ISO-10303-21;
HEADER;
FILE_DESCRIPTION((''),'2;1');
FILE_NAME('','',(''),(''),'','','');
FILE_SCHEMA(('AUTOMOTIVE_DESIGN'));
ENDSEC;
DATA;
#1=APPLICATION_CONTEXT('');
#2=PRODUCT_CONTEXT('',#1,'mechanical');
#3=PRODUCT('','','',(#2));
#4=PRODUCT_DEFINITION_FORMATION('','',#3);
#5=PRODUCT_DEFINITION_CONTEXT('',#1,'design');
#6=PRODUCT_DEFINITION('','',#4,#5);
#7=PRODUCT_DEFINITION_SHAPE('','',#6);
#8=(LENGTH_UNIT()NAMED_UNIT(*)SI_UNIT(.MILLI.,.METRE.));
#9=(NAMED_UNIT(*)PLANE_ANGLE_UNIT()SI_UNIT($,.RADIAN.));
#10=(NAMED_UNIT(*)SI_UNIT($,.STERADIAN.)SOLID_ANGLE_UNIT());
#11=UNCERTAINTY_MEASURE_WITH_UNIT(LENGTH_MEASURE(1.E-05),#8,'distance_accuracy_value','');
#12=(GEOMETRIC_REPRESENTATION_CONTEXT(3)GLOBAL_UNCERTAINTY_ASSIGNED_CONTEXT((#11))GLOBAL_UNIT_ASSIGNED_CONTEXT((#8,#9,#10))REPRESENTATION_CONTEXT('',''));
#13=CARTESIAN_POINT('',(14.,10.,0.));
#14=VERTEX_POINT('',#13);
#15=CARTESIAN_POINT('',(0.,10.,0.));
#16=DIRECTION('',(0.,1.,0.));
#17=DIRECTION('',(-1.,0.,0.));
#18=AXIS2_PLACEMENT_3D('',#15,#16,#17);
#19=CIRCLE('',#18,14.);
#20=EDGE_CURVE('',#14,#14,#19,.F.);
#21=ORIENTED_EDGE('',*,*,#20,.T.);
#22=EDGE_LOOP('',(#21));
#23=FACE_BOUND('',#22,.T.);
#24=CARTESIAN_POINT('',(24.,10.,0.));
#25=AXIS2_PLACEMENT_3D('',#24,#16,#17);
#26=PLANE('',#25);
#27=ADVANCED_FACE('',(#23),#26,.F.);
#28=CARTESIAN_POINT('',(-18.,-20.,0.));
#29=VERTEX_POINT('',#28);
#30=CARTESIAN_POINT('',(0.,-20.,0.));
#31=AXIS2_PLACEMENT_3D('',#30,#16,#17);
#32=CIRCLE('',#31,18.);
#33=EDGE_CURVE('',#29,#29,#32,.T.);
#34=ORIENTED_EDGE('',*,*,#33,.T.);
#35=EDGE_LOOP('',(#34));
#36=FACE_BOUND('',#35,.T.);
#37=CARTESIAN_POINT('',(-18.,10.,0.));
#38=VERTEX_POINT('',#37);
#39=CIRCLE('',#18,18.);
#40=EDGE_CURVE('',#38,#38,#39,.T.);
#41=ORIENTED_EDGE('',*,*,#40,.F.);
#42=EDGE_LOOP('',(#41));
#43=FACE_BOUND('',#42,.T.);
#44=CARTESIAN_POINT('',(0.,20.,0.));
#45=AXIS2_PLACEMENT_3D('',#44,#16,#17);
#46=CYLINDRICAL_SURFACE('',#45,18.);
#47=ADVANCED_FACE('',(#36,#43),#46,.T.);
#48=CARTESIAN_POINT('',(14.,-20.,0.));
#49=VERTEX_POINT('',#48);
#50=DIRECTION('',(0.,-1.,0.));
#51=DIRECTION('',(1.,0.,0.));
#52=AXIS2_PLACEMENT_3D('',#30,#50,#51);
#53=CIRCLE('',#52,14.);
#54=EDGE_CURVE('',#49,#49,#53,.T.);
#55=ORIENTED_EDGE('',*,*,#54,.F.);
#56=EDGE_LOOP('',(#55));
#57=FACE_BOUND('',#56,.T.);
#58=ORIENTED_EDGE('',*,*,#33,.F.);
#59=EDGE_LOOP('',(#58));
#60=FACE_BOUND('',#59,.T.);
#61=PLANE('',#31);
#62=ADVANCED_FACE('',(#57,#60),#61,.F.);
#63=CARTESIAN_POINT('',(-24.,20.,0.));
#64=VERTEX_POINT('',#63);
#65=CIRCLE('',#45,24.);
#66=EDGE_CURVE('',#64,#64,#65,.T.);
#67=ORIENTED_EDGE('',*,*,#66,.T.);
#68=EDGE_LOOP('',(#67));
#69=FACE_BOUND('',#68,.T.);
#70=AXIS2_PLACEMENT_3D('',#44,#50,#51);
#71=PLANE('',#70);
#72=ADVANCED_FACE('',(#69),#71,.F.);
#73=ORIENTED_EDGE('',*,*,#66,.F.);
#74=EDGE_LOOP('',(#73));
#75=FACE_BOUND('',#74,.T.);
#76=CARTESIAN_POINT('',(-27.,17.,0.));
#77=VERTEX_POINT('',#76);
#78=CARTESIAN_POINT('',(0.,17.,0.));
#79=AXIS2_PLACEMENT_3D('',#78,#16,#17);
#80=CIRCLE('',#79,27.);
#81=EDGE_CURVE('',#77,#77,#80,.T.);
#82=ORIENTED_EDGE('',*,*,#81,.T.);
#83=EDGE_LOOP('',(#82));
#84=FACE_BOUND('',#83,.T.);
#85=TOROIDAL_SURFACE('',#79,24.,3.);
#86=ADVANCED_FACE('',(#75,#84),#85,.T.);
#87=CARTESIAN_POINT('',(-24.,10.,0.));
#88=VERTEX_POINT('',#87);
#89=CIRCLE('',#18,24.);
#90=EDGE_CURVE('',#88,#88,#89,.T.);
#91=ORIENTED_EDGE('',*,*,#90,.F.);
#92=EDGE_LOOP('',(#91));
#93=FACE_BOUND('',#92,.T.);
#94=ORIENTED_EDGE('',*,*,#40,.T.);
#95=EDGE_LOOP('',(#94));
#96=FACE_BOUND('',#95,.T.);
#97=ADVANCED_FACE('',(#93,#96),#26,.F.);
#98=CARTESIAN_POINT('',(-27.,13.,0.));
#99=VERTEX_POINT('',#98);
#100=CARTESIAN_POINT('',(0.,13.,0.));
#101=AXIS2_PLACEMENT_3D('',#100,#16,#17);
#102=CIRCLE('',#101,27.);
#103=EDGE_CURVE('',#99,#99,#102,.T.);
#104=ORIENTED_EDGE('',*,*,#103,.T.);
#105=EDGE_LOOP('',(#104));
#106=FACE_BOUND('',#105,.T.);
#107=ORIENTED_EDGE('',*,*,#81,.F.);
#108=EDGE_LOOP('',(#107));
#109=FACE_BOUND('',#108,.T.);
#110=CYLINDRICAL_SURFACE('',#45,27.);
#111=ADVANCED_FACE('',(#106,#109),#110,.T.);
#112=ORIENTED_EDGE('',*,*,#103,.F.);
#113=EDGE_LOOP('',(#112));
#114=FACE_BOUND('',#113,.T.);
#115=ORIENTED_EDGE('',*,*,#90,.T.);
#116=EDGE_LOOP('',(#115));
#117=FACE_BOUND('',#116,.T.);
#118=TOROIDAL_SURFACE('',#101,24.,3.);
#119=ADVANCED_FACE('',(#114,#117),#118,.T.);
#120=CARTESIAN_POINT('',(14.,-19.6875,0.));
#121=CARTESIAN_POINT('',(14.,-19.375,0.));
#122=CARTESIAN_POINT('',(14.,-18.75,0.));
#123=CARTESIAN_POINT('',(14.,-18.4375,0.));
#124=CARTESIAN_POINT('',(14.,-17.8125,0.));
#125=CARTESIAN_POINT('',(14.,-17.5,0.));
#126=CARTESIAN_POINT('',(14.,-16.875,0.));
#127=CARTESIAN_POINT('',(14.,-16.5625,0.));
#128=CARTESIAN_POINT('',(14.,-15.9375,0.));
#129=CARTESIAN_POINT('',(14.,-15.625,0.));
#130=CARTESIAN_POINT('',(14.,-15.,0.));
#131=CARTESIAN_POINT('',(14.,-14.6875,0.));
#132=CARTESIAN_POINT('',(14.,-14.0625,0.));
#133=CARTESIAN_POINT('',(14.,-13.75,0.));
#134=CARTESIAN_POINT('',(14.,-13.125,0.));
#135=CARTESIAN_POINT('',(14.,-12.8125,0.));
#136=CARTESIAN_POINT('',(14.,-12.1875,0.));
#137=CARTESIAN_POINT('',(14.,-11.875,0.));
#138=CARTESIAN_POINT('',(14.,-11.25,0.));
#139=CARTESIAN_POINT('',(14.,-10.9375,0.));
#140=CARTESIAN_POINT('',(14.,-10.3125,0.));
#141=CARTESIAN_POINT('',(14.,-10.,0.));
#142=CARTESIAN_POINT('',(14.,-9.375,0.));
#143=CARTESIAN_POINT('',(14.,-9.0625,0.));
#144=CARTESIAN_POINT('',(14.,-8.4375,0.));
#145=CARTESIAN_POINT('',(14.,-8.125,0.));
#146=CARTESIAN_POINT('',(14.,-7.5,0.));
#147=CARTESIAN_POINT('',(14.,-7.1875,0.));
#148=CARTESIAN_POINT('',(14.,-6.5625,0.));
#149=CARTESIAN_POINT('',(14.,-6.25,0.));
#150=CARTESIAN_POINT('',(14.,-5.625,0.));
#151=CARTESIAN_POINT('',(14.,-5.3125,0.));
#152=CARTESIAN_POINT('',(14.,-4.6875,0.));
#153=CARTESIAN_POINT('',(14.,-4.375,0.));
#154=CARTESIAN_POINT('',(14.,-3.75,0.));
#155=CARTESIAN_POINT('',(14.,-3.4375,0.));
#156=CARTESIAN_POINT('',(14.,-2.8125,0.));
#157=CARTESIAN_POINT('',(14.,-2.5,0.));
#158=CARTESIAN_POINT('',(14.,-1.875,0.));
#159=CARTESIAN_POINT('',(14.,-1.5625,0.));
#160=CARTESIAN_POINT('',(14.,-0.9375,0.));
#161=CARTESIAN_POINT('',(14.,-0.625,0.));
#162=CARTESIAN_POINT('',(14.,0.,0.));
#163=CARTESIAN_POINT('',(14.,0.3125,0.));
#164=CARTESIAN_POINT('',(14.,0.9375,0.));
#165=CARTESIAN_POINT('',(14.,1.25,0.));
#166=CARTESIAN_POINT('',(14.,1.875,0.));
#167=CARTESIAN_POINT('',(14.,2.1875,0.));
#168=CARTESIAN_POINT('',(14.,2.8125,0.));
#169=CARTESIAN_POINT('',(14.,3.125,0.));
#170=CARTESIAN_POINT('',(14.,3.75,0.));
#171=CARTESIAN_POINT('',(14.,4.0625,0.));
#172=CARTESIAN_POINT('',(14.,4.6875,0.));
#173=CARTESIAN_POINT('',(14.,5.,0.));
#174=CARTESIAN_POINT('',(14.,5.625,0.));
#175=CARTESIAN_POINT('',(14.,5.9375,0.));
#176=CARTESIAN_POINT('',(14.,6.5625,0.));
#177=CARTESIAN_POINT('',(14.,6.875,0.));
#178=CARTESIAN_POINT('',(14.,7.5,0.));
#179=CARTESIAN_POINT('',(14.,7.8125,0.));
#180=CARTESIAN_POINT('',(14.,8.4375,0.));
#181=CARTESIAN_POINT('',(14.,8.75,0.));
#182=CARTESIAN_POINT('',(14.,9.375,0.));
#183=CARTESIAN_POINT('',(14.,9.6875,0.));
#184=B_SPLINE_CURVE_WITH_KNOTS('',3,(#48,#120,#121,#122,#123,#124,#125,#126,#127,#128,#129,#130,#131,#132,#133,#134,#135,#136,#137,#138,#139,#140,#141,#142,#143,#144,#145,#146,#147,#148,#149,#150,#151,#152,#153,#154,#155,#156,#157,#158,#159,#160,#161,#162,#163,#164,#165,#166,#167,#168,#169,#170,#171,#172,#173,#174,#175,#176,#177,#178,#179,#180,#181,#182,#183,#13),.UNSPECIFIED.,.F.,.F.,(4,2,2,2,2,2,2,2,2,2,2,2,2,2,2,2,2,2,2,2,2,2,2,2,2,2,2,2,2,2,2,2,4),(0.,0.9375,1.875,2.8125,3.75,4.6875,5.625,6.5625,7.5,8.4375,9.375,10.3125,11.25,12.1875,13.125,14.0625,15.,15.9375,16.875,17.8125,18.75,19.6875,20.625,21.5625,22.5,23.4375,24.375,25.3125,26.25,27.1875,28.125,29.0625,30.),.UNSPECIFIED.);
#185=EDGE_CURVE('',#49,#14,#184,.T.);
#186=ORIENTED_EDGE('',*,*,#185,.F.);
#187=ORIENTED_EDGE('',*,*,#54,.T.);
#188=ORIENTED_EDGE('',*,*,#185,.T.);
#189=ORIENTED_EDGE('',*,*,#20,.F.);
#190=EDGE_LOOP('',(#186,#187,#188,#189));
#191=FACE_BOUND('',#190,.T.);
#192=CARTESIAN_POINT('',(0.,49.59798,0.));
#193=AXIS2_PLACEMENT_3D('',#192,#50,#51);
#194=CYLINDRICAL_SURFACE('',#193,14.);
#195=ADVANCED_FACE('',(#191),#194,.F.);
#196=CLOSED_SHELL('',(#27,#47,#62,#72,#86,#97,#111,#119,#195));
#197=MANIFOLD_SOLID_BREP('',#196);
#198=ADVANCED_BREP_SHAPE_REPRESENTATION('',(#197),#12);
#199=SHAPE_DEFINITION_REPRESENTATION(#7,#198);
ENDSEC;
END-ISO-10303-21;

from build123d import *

# Parameters (mm, degrees)
SKETCH2_R          = 14
CUT_EXTRUDE1_DEPTH = 30


with BuildPart() as part:
    # Sketch1 → Revolve1 (revolve)
    with BuildSketch(Plane.XY, mode=Mode.PRIVATE) as revolve1_sk:
        with BuildLine():
            Line((0, -20), (18, -20))
            Line((18, -20), (18, 10))
            Line((18, 10), (24, 10))
            ThreePointArc((24, 10), (26.121320344, 10.878679656), (27, 13))
            Line((27, 13), (27, 17))
            ThreePointArc((27, 17), (26.121320344, 19.121320344), (24, 20))
            Line((24, 20), (0, 20))
            Line((0, 20), (0, -20))
        make_face()
    revolve(revolve1_sk.sketch.rotate(Axis((0, 20, 0), (0, -1, 0)), 180), axis=Axis((0, 20, 0), (0, -1, 0)))

    # Sketch2 → Cut-Extrude1 (cut)
    with BuildSketch(Plane.XZ.offset(20)):
        Circle(SKETCH2_R)
    extrude(amount=-CUT_EXTRUDE1_DEPTH, mode=Mode.SUBTRACT)


solid = part.part
